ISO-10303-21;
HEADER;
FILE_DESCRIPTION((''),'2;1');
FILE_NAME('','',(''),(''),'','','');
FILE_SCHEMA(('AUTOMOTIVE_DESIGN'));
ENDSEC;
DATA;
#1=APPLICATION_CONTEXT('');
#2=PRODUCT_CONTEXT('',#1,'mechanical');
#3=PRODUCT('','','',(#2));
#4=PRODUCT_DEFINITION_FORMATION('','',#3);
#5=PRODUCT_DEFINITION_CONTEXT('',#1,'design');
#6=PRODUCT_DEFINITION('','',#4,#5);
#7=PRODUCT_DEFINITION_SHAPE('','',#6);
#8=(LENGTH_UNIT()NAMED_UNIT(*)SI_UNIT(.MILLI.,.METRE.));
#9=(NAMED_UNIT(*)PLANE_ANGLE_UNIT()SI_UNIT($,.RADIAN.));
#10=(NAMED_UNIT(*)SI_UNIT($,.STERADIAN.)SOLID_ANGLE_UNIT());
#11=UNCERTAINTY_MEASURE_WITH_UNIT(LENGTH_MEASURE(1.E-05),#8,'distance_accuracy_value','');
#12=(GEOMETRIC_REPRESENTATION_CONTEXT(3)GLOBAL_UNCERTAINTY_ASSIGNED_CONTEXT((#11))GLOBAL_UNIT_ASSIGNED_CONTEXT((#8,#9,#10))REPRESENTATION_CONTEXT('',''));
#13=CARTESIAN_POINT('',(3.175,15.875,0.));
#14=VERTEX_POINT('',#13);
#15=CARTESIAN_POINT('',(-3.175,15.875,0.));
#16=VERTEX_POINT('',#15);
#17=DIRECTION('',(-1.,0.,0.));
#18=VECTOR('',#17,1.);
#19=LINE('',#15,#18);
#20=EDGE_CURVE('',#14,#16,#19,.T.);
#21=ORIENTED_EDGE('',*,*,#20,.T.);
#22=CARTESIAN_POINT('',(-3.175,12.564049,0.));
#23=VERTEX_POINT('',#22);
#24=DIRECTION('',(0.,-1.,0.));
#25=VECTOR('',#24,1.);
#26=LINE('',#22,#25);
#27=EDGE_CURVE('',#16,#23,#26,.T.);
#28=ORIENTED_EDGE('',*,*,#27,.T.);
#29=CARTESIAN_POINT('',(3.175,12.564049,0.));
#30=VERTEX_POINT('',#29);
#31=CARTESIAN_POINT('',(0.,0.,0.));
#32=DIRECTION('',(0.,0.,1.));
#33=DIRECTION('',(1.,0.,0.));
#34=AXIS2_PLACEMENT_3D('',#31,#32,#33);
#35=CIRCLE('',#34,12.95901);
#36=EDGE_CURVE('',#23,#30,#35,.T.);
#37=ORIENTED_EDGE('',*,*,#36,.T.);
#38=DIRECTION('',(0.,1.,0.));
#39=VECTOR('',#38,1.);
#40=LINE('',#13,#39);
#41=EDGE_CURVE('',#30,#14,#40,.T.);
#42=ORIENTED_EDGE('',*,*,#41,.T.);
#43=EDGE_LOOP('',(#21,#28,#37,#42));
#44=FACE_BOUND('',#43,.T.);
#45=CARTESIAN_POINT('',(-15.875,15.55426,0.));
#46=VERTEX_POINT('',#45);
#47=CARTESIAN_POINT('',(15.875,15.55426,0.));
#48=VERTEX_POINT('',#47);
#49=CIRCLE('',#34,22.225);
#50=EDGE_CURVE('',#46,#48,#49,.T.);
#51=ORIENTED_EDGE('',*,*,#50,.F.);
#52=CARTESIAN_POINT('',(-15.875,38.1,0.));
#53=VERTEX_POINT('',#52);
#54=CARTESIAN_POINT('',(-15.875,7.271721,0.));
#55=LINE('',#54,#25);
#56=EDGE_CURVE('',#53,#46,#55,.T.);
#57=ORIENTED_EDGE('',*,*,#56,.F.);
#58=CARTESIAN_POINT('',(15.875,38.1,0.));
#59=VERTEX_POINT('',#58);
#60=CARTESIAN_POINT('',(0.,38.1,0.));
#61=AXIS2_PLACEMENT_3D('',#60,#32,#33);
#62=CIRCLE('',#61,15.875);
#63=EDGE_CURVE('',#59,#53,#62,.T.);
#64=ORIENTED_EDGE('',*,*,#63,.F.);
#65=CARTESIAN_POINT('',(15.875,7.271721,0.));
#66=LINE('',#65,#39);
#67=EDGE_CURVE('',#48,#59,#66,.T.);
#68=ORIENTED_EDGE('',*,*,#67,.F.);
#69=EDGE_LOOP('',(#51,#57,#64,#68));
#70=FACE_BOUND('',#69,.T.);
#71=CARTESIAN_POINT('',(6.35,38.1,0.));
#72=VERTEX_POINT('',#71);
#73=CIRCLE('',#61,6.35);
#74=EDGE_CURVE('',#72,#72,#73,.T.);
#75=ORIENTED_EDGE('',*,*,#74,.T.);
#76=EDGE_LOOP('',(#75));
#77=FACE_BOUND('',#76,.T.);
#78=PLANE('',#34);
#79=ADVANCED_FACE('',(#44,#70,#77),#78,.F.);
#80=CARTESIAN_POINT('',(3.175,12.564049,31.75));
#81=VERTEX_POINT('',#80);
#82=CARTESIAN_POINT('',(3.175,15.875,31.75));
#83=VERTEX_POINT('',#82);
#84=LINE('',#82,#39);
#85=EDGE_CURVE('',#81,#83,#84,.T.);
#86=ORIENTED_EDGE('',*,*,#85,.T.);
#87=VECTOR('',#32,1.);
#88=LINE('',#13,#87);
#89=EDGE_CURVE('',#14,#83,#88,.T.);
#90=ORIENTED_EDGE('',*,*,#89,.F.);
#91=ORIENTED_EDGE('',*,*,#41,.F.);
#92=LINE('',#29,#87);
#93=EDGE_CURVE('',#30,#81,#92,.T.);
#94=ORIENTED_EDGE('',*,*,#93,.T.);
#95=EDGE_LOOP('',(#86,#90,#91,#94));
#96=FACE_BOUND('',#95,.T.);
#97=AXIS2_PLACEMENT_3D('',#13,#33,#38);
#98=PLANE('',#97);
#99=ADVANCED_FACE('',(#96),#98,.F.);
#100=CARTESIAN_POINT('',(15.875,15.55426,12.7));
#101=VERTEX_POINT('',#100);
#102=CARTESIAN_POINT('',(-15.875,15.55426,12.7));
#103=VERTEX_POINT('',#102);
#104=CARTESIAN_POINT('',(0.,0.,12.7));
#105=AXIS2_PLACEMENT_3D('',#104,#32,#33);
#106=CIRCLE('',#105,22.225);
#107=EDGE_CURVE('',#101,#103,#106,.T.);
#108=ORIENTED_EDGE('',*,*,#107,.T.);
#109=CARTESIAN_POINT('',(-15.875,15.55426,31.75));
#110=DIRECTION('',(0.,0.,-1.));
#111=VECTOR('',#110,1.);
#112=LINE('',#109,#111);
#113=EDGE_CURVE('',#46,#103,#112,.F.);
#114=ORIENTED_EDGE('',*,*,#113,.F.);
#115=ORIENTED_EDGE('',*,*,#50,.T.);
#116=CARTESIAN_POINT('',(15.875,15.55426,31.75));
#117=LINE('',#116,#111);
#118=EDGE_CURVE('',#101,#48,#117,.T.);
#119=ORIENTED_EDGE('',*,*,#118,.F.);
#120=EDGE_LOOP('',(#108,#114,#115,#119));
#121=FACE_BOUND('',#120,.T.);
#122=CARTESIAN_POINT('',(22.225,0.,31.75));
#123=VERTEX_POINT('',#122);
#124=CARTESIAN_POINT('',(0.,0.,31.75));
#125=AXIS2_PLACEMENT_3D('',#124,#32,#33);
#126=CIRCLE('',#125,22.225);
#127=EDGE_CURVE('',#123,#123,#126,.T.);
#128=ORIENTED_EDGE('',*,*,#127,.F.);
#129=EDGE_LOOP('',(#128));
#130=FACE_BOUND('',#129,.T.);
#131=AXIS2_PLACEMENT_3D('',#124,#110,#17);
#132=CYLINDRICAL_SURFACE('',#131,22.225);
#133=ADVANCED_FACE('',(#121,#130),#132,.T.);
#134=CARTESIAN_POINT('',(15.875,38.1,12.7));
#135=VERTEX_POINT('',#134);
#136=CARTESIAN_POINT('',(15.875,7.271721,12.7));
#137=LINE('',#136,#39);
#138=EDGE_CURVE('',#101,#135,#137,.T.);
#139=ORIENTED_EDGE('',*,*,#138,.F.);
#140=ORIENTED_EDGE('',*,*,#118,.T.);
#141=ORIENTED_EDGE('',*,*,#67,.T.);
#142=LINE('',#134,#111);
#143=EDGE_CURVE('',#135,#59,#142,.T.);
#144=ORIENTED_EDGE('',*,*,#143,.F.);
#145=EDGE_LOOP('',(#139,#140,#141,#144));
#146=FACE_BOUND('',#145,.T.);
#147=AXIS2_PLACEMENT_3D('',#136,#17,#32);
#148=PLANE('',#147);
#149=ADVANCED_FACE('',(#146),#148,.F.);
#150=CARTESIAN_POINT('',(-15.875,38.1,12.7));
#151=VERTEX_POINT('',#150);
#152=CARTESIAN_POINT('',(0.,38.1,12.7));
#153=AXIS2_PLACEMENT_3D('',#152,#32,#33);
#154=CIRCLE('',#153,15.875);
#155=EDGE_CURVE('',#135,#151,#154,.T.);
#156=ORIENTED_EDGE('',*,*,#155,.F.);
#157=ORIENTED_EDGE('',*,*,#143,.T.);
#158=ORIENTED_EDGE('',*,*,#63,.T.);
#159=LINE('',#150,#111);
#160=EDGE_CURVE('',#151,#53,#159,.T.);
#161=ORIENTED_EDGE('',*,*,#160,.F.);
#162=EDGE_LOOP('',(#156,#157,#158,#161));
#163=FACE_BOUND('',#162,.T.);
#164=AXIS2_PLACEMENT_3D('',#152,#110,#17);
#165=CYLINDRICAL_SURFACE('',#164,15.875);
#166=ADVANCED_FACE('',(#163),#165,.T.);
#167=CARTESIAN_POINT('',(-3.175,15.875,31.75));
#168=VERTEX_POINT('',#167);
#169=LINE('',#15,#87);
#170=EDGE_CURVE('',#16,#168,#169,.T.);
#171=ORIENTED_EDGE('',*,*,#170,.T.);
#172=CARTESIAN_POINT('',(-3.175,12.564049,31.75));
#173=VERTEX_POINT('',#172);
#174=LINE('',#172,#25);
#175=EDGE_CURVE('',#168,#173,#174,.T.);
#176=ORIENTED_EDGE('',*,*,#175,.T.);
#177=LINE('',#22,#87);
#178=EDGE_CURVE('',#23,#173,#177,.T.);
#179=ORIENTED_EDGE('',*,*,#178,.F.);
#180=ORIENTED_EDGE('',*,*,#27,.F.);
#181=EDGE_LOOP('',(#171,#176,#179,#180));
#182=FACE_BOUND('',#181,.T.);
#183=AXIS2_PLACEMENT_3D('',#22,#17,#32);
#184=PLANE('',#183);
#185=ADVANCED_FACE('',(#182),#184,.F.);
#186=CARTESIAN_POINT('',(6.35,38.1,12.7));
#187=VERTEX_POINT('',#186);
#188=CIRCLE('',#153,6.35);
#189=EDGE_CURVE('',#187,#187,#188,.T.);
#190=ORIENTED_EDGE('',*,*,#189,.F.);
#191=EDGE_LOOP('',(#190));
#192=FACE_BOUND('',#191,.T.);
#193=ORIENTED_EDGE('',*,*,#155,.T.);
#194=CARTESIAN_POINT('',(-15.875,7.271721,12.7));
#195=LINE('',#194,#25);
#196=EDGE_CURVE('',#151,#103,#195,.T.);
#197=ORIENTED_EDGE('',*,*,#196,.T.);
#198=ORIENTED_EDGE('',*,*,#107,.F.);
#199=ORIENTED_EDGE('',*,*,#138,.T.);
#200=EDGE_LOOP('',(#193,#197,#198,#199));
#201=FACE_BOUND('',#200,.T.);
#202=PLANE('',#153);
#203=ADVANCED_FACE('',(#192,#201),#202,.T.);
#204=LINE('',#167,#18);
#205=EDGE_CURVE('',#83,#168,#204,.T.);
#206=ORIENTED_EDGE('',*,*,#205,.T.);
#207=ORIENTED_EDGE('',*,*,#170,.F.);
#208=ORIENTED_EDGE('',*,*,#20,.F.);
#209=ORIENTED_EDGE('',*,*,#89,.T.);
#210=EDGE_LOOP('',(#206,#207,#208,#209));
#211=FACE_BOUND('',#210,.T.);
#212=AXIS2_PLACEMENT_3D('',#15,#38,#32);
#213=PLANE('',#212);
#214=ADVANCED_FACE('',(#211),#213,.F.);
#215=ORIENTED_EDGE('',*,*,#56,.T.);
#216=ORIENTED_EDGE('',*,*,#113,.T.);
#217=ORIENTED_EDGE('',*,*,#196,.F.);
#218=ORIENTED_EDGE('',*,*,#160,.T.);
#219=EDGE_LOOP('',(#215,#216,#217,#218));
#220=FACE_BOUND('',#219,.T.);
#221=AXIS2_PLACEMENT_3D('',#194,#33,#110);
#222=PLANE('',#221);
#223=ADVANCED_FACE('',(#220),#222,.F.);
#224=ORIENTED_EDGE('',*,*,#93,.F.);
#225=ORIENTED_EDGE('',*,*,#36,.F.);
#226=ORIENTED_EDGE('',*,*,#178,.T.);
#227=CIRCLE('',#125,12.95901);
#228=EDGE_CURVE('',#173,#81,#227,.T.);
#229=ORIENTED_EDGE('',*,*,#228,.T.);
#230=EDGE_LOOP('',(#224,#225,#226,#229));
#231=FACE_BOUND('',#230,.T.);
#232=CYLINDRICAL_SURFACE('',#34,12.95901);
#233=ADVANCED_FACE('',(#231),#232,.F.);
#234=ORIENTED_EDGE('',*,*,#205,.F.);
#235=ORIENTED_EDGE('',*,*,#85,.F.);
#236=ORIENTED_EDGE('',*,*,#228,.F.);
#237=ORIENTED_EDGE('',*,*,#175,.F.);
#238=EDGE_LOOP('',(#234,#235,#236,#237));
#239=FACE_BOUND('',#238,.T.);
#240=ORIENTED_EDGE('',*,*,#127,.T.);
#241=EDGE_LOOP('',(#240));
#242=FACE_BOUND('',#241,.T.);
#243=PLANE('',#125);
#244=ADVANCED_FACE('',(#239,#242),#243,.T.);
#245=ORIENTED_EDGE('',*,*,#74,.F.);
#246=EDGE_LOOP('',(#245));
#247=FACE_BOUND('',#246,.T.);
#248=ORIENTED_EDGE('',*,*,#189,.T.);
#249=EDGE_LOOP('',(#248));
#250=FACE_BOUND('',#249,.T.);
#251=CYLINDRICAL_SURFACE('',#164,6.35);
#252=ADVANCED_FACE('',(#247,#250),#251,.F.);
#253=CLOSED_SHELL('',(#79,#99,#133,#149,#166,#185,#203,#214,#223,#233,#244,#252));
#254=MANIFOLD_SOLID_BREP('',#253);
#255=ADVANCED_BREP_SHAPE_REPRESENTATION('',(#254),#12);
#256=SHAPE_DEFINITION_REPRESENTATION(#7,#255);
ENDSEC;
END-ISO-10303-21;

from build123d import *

# Parameters (mm, degrees)
SKETCH1_R           = 22.225
BOSS_EXTRUDE1_DEPTH = 31.75
SKETCH2_R           = 6.35
BOSS_EXTRUDE2_DEPTH = 12.7
CUT_EXTRUDE1_DEPTH  = 67.447827278


with BuildPart() as part:
    # Sketch1 → Boss-Extrude1 (new body)
    with BuildSketch(Plane.XY):
        Circle(SKETCH1_R)
    extrude(amount=BOSS_EXTRUDE1_DEPTH)

    # Sketch2 → Boss-Extrude2 (add)
    with BuildSketch(Plane.XY):
        with BuildLine():
            Line((-15.875, 7.271721018), (15.875, 7.271721018))
            Line((15.875, 7.271721018), (15.875, 38.1))
            ThreePointArc((15.875, 38.1), (0, 53.975), (-15.875, 38.1))
            Line((-15.875, 38.1), (-15.875, 7.271721018))
        make_face()
        with Locations((0, 38.1)):
            Circle(SKETCH2_R, mode=Mode.SUBTRACT)
    extrude(amount=BOSS_EXTRUDE2_DEPTH)

    # Sketch3 → Cut-Extrude1 (cut, through all)
    with BuildSketch(Plane.XY.offset(31.75)):
        with BuildLine():
            Line((-3.175, 12.564048608), (-3.175, 15.875))
            Line((-3.175, 15.875), (3.175, 15.875))
            Line((3.175, 15.875), (3.175, 12.564048608))
            ThreePointArc((3.175, 12.564048608), (0, -12.959010086), (-3.175, 12.564048608))
        make_face()
    extrude(amount=-CUT_EXTRUDE1_DEPTH, mode=Mode.SUBTRACT)


solid = part.part
